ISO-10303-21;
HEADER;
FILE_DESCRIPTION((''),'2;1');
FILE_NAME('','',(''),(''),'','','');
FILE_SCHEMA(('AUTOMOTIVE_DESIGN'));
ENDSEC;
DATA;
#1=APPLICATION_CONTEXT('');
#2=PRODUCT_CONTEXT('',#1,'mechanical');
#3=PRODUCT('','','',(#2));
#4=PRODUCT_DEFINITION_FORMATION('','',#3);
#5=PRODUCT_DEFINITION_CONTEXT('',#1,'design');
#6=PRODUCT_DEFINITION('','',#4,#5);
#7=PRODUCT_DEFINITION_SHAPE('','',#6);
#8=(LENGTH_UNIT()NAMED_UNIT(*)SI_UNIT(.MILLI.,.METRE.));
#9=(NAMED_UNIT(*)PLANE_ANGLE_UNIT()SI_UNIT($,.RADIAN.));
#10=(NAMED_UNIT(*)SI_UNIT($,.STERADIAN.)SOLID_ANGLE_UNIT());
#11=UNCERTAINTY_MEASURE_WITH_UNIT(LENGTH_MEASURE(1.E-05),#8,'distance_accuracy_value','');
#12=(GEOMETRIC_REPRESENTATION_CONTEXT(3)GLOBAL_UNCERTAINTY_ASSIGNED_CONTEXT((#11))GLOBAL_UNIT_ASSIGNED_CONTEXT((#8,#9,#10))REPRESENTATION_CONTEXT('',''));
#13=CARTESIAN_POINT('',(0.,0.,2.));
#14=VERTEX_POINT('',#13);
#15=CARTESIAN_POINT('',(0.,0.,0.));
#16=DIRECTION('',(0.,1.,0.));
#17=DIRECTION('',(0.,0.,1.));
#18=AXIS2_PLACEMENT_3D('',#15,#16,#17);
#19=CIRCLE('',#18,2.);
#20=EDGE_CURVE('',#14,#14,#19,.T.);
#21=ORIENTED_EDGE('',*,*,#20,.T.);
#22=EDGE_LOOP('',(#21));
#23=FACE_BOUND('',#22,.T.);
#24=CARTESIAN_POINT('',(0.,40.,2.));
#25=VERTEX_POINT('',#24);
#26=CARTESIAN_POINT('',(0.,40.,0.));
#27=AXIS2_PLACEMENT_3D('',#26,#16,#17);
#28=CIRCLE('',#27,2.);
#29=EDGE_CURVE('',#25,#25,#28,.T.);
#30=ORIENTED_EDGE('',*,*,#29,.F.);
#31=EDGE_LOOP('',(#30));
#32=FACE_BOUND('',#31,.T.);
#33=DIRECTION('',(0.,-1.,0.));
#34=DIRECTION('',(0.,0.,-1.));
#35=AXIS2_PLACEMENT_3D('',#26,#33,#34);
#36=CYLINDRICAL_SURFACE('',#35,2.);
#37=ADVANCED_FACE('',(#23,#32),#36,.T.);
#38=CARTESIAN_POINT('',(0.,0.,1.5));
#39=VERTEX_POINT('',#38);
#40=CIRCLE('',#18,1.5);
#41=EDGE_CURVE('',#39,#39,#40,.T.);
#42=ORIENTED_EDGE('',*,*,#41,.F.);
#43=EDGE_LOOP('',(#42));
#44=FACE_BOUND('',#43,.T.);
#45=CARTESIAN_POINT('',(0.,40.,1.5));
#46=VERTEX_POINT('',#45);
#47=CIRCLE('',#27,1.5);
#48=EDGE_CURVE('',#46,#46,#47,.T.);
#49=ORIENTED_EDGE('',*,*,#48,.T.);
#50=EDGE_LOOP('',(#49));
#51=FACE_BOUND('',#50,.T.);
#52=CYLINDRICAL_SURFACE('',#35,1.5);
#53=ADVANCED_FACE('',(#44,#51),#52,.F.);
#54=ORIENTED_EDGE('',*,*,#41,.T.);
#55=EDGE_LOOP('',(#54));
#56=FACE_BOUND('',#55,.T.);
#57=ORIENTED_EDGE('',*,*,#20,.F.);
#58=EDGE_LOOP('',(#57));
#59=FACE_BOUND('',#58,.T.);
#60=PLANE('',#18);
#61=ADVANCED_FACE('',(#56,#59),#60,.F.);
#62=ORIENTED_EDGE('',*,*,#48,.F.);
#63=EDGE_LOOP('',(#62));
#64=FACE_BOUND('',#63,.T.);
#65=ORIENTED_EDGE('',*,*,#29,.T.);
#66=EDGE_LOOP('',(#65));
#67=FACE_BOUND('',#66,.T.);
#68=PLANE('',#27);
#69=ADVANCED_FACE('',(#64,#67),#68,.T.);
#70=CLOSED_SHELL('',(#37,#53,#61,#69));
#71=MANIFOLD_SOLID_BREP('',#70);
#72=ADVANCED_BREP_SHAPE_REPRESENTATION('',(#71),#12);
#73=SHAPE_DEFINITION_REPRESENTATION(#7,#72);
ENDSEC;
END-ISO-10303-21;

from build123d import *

# Parameters (mm, degrees)
ESQUISSE1_R        = 2
ESQUISSE1_R_2      = 1.5
BOSS_EXTRU_1_DEPTH = 40


with BuildPart() as part:
    # Esquisse1 → Boss.-Extru.1 (new body)
    with BuildSketch(Plane(origin=(0, 0, 0), x_dir=(1, 0, 0), z_dir=(0, 1, 0))):
        with Locations(Location((0, 0, 0), (0, 0, 270))):
            Circle(ESQUISSE1_R)
        with Locations(Location((0, 0, 0), (0, 0, 270))):
            Circle(ESQUISSE1_R_2, mode=Mode.SUBTRACT)
    extrude(amount=BOSS_EXTRU_1_DEPTH)


solid = part.part
